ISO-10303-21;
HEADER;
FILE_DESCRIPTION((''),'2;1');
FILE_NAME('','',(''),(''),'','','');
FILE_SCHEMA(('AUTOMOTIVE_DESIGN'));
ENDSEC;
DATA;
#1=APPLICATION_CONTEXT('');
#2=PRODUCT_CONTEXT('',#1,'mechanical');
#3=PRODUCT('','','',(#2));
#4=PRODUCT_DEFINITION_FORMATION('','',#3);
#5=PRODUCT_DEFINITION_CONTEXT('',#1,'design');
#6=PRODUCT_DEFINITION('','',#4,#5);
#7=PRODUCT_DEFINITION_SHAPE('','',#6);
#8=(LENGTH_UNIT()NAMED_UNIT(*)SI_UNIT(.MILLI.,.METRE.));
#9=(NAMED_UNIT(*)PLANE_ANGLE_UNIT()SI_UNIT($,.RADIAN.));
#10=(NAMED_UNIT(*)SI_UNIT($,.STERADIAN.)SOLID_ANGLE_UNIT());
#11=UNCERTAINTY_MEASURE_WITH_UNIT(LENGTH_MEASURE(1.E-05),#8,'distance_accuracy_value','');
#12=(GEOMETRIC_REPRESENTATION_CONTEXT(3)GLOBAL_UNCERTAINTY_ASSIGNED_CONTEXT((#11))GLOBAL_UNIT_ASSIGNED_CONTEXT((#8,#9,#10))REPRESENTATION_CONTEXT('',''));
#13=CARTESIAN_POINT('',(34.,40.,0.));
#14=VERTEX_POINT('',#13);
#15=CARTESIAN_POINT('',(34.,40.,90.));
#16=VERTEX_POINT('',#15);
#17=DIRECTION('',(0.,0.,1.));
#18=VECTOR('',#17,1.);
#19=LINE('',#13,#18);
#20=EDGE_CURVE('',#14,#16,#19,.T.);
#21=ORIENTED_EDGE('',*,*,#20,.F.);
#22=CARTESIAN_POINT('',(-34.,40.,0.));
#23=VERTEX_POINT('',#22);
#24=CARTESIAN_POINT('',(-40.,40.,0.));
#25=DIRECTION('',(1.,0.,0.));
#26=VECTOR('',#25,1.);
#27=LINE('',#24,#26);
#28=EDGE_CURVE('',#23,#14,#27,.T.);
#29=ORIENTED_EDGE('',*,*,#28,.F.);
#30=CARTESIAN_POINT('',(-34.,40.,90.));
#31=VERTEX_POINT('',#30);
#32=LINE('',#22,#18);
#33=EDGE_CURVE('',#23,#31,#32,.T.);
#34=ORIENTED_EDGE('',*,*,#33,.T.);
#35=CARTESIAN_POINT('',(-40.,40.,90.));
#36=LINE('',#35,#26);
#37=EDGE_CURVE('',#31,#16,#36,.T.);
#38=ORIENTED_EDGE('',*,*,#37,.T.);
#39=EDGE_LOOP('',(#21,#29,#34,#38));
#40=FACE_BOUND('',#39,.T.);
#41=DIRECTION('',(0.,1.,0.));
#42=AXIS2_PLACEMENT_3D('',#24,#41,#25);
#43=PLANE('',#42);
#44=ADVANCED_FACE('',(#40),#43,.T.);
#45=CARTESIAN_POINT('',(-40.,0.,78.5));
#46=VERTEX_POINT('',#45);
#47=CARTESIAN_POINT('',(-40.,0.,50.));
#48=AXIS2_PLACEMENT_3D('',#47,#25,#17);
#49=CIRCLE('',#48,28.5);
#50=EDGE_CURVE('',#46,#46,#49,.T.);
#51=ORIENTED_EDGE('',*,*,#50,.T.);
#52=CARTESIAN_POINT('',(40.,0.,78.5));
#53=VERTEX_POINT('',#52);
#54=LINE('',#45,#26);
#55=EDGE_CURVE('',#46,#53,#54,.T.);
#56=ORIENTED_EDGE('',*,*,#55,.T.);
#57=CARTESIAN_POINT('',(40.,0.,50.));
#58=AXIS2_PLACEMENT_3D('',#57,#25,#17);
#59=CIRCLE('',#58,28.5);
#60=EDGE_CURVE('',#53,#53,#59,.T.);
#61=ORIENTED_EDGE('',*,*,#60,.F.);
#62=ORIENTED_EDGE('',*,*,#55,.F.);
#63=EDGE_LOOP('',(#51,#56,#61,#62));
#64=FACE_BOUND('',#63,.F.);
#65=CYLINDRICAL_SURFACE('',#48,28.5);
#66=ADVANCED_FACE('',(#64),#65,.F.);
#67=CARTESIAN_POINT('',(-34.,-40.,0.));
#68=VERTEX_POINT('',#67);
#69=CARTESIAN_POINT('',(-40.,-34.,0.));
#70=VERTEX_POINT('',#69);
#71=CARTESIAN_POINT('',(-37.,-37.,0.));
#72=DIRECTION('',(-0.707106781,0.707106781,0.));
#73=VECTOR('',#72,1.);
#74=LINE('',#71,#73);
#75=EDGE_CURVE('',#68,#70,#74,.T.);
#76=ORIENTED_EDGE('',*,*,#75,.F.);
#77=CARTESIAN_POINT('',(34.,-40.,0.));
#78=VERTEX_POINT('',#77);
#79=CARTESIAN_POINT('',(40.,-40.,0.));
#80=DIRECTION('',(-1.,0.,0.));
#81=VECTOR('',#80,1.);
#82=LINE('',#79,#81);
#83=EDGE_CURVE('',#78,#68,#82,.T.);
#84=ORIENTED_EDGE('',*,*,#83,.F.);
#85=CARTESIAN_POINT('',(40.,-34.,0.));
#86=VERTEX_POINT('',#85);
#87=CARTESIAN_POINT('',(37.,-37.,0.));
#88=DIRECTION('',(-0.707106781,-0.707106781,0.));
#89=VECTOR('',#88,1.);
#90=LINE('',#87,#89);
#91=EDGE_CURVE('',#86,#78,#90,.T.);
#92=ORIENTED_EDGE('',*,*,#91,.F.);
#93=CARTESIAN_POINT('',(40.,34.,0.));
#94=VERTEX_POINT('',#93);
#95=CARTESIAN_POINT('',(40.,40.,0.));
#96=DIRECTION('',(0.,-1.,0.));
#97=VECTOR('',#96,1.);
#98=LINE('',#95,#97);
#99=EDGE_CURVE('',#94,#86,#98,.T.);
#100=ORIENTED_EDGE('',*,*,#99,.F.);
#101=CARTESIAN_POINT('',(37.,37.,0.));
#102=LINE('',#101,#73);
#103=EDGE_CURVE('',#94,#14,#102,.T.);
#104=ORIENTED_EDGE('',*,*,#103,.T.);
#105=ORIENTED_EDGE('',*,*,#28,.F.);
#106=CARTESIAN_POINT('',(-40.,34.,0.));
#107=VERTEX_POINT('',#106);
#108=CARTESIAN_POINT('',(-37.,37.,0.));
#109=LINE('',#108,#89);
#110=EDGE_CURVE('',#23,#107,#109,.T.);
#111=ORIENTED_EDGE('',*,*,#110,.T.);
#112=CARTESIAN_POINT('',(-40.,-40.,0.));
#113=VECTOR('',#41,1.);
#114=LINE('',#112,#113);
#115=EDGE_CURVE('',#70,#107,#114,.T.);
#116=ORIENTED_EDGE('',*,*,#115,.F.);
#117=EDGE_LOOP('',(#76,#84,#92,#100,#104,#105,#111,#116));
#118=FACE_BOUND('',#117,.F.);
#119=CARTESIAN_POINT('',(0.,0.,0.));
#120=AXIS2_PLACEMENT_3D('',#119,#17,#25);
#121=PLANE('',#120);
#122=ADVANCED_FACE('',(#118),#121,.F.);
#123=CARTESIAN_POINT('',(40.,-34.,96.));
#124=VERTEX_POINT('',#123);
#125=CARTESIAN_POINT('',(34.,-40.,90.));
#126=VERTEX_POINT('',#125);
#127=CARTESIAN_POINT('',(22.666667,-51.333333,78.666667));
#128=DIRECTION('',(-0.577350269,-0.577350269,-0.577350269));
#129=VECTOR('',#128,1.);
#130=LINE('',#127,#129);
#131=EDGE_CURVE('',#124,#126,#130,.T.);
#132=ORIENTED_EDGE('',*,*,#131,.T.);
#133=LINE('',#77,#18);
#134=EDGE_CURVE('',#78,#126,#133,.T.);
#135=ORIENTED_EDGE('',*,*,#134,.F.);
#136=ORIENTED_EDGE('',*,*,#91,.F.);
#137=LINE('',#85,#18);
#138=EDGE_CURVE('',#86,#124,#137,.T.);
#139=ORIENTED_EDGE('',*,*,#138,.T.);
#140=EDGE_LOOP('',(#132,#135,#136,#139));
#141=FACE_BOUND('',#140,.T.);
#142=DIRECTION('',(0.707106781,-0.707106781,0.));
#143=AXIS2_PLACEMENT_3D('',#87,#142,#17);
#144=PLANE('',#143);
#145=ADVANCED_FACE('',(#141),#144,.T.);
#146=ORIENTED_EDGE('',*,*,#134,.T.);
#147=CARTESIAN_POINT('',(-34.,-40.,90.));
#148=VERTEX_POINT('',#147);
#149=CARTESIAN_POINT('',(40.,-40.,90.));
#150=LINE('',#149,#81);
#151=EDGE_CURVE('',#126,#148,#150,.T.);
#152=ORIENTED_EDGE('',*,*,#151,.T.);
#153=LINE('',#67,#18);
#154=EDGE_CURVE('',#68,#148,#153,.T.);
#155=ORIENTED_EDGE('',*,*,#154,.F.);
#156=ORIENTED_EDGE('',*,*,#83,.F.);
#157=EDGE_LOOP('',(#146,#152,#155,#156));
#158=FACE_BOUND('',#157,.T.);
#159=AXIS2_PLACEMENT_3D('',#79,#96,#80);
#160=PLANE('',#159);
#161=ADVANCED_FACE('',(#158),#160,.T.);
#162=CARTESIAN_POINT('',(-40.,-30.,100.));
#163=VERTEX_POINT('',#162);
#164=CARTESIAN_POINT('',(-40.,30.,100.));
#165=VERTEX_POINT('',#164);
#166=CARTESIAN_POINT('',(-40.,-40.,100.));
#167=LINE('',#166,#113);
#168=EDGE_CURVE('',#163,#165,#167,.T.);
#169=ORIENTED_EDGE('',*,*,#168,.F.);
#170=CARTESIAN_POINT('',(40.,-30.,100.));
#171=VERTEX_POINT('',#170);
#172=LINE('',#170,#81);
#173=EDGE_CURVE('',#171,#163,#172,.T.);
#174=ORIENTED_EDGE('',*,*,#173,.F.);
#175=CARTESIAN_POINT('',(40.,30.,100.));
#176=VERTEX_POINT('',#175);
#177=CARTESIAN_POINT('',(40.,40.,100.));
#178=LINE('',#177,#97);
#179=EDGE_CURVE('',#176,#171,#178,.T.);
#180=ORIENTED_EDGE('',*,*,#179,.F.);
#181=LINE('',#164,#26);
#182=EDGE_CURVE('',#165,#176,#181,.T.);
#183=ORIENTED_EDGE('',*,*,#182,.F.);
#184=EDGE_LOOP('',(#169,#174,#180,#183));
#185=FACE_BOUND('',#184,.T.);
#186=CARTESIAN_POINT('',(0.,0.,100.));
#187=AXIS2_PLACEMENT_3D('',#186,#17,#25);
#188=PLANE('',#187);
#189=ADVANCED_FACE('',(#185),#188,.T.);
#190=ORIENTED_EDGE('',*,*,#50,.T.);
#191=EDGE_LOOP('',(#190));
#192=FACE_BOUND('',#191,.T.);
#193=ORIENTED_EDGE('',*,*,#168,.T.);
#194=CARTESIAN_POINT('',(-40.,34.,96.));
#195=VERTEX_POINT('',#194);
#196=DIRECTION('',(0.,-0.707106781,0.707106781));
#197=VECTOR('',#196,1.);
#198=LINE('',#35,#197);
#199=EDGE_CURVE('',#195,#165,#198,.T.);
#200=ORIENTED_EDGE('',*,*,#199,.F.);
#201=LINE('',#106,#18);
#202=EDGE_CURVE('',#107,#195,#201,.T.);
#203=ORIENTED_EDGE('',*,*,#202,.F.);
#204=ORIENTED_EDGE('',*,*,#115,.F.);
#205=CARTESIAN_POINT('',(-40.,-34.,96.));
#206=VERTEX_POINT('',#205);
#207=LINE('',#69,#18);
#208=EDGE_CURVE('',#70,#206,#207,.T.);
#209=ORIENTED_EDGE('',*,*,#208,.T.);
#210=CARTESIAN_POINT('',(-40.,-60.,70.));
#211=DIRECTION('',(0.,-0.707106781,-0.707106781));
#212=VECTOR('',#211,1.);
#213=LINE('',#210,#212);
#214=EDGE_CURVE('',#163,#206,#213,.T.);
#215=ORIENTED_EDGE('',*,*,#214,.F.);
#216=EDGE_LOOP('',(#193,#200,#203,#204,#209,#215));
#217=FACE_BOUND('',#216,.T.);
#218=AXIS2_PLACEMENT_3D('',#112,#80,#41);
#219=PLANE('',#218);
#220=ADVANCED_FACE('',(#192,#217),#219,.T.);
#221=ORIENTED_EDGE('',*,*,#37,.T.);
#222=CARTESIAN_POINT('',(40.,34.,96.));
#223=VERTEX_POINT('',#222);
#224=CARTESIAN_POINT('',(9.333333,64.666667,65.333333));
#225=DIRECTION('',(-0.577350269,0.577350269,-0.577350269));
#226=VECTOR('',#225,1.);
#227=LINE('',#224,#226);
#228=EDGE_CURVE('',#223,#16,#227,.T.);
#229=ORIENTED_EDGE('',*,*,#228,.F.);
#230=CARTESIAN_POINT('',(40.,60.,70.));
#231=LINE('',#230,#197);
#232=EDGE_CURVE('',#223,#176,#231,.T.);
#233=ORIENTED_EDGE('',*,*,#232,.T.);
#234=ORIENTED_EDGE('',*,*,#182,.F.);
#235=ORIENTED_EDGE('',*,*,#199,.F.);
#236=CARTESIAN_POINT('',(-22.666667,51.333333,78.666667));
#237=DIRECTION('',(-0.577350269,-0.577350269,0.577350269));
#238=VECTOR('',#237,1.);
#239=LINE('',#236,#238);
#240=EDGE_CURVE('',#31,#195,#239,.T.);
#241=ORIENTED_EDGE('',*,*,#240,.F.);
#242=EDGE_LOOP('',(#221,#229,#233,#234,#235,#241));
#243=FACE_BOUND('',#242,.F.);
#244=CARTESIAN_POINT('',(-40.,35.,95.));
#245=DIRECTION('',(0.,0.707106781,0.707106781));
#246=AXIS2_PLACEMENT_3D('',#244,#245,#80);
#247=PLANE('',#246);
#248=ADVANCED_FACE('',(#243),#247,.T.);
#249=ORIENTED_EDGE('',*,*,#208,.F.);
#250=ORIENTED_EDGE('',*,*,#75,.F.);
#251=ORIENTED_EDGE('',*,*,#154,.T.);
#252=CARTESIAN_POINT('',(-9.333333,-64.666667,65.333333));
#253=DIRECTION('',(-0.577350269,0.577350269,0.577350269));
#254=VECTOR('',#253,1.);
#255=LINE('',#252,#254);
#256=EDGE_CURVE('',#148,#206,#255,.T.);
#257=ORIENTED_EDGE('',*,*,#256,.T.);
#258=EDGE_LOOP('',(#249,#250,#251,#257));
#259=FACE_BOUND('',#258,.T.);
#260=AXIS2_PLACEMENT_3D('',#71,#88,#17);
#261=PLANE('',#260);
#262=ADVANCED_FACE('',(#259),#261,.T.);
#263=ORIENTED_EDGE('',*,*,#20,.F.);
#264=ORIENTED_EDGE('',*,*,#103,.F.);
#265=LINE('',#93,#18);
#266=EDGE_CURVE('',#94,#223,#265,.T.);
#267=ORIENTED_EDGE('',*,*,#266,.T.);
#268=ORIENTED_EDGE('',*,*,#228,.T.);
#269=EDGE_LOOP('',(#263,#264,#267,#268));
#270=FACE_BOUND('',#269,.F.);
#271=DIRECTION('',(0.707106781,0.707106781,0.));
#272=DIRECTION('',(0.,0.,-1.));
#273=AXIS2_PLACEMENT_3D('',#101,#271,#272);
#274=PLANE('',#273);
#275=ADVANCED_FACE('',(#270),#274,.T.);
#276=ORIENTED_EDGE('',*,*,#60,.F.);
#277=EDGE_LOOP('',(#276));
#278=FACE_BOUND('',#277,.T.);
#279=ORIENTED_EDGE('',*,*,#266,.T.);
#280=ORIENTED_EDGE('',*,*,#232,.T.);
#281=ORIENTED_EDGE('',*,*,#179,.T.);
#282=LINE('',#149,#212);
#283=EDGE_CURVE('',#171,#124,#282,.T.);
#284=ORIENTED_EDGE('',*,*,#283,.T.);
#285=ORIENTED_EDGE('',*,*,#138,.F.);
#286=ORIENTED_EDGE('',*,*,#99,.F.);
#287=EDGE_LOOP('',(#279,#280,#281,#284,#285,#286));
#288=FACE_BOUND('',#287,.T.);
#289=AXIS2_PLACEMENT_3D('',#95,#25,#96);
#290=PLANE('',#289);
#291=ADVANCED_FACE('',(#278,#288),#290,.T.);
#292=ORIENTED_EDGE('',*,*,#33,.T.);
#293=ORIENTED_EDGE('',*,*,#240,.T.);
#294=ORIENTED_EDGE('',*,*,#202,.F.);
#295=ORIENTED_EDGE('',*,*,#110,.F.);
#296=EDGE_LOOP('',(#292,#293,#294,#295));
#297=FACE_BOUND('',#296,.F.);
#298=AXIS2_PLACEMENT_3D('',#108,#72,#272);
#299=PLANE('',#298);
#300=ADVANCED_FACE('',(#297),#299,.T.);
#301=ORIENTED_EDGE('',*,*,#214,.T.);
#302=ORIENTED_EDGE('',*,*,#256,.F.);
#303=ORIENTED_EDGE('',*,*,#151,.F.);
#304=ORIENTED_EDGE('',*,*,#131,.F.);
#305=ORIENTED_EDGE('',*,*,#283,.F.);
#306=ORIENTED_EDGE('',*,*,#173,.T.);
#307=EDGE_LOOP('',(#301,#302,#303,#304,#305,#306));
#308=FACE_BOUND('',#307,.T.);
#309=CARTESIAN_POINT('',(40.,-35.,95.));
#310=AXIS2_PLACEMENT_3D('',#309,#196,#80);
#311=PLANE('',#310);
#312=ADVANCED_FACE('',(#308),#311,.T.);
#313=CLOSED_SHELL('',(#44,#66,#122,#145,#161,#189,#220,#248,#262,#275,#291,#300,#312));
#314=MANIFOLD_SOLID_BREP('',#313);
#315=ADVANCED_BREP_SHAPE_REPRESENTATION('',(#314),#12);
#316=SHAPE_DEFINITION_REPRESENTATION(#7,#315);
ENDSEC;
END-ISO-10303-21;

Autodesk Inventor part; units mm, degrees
ref_plane "YZ Plane" through (0, 0, 0) normal (1, 0, 0) x (0, 1, 0)
ref_plane "XZ Plane" through (0, 0, 0) normal (0, 1, 0) x (-1, 0, 0)
ref_plane "XY Plane" through (0, 0, 0) normal (0, 0, 1) x (1, 0, 0)
sketch "Sketch1" plane through (0, 0, 0) normal (0, 0, 1) x (1, 0, 0)
  line L0 (40, 40) -> (40, -40)
  line L1 (40, -40) -> (-40, -40)
  line L2 (-40, -40) -> (-40, 40)
  line L3 (-40, 40) -> (40, 40)
  point P0 (0, 0)
  point P1 (0, 0)
  dimension "d0" = 80
extrude "Extrusion1" add sketch "Sketch1" along normal blind 100
sketch "Sketch2" plane through (-40, -40, 0) normal (-1, 0, 0) x (0, 0, 1)
  line L0 (100, 0) -> (100, 80) projected
  line L1 (0, 80) -> (100, 80) projected
  point P0 (50, 40)
  dimension "d3" = 50
  dimension "d4" = 40
hole "Hole1" at (-40, 0, 50) direction (1, 0, 0) diameter 57 end through all
chamfer "Chamfer2" distance 10 angle 45 2 edges at (0, -40, 100) (0, 40, 100)
chamfer "Chamfer1" distance 6 angle 45 4 edges at (-40, 40, 45) (40, 40, 45) (-40, -40, 45) (40, -40, 45)
properties part number "3136 1094 56" material "Steel, Mild"
